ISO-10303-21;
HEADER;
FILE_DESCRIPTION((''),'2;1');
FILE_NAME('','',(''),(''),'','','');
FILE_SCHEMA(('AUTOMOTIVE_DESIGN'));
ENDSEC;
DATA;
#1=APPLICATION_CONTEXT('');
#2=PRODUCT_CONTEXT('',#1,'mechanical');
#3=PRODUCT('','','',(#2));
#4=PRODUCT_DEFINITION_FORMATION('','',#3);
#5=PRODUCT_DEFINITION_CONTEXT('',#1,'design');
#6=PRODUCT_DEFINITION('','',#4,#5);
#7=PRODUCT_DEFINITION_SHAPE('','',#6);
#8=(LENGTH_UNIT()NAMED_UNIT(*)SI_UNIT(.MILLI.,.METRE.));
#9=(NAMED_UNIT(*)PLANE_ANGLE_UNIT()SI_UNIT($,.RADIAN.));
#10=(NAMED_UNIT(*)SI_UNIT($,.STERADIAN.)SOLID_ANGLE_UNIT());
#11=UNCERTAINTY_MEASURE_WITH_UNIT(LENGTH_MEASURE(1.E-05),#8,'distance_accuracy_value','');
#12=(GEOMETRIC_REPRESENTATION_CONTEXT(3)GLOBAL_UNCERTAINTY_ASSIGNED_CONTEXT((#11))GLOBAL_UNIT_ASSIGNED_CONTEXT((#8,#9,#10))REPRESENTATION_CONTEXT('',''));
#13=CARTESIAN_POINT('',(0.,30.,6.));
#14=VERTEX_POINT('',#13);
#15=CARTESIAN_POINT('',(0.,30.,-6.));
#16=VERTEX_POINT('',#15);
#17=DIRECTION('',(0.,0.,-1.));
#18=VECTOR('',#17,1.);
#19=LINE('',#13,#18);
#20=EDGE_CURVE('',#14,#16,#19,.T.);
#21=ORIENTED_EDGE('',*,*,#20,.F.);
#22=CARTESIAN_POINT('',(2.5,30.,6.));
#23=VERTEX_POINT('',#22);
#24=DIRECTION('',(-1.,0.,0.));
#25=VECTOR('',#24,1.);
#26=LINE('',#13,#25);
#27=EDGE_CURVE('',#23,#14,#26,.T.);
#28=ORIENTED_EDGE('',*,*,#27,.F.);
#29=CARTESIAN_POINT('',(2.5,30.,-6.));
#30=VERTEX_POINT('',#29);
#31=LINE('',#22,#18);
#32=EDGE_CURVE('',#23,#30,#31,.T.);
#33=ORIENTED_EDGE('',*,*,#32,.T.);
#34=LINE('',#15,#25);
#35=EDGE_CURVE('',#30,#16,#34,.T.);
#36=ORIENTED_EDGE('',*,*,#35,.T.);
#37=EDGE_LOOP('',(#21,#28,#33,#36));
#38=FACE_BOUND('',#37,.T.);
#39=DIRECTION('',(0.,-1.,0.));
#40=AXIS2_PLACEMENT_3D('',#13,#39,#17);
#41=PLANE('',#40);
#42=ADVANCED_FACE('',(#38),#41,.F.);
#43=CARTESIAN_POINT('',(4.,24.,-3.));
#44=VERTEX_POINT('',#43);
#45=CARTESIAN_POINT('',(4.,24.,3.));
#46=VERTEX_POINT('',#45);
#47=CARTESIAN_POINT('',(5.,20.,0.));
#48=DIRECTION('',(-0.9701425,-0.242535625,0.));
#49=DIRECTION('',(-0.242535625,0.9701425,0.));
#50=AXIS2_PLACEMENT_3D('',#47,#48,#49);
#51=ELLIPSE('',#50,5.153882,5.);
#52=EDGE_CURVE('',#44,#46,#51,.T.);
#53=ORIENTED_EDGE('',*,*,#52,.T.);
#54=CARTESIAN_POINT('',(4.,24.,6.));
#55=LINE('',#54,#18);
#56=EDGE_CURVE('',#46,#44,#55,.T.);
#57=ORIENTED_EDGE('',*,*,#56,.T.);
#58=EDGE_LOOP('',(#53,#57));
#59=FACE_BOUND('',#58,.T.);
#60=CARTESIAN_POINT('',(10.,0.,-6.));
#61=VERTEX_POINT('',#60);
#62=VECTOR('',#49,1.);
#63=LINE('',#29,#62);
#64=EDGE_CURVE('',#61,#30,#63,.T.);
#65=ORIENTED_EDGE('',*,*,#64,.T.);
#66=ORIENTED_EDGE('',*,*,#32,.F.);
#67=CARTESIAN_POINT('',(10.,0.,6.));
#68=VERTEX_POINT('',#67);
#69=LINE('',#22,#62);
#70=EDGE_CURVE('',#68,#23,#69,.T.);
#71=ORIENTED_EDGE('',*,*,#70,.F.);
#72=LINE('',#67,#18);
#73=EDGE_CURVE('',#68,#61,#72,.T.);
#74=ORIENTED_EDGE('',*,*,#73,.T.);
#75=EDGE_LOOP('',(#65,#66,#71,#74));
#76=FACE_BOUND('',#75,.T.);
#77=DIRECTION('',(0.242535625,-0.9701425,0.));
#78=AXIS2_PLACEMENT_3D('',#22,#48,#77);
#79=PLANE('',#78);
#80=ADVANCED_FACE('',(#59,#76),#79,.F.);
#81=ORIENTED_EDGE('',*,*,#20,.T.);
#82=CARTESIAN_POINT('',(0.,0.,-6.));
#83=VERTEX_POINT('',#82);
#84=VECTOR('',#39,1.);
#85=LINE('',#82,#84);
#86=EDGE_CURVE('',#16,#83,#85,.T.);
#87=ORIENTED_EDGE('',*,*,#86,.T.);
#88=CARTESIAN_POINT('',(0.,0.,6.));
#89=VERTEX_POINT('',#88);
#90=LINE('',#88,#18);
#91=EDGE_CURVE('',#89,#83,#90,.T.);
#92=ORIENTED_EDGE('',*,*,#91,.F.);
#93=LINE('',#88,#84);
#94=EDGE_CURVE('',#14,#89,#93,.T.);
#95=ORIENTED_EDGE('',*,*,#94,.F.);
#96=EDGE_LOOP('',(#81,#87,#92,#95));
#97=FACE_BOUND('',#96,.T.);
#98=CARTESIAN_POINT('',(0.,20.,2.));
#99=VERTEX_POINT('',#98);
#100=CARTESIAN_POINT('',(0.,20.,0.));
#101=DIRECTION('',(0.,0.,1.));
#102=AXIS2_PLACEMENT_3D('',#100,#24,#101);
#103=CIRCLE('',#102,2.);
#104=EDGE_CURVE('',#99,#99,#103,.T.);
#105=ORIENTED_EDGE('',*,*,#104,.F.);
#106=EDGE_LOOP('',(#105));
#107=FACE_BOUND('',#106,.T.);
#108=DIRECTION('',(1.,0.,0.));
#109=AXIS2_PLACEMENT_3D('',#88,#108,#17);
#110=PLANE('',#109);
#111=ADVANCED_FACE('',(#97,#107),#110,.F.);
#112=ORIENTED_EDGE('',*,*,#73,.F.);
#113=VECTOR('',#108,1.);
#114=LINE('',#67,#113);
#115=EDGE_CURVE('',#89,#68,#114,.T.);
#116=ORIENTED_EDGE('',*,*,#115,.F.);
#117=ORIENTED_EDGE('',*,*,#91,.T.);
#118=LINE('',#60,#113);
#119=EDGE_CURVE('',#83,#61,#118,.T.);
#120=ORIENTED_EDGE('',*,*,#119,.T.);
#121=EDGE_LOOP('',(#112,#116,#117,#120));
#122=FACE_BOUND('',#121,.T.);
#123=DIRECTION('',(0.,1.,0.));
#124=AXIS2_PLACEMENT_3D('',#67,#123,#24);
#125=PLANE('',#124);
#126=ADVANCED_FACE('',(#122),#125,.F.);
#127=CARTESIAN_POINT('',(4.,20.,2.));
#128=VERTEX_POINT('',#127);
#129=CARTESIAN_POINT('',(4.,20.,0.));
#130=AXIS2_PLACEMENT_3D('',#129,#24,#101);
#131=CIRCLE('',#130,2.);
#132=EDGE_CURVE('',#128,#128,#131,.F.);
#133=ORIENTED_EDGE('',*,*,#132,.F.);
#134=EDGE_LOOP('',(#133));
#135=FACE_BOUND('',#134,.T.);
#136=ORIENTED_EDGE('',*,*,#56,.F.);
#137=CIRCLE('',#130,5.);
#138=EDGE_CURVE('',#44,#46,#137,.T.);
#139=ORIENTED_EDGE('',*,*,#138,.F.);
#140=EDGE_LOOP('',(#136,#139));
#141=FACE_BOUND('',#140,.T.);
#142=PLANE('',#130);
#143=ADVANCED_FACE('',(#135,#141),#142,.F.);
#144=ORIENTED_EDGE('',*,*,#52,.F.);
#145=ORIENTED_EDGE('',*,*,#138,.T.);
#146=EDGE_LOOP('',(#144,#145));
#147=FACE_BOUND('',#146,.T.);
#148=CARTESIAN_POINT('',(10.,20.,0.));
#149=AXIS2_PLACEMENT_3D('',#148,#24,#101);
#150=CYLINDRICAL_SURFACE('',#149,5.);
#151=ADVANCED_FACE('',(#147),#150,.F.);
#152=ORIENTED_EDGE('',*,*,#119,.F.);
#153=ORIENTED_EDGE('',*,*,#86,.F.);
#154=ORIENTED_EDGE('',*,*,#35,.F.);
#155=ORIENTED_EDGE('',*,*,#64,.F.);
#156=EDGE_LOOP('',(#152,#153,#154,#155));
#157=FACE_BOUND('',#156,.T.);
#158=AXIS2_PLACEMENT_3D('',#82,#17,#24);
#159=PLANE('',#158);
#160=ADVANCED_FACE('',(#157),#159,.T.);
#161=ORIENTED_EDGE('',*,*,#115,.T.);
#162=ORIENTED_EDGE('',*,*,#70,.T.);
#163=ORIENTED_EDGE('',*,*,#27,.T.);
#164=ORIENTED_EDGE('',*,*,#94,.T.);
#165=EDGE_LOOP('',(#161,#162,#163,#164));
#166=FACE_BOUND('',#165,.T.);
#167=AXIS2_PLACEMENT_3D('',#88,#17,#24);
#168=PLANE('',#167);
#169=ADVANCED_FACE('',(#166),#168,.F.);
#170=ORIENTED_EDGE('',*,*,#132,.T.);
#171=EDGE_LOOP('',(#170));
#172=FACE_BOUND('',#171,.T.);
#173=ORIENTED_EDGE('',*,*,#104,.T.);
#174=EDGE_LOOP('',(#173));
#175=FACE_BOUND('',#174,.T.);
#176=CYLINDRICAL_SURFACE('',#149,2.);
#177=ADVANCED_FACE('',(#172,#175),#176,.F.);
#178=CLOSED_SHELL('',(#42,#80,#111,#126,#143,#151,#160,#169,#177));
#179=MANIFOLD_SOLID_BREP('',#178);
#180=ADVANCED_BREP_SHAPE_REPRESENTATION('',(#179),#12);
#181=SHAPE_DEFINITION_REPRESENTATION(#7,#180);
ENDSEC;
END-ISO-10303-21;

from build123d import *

# Parameters (mm, degrees)
SALIENTE_EXTRUIR1_DEPTH = 6
CROQUIS3_R              = 2
CORTAR_EXTRUIR1_DEPTH   = 33.186953879
CROQUIS5_R              = 5
CORTAR_EXTRUIR2_DEPTH   = 32.176914536


with BuildPart() as part:
    # Croquis2 → Saliente-Extruir1 (new, symmetric)
    with BuildSketch(Plane.XY):
        Polygon((0, 0), (0, 30), (2.5, 30), (10, 0), align=None)
    extrude(amount=SALIENTE_EXTRUIR1_DEPTH, both=True)

    # Croquis3 → Cortar-Extruir1 (cut, through all)
    with BuildSketch(Plane.ZY):
        with Locations((0, 20)):
            Circle(CROQUIS3_R)
    extrude(amount=-CORTAR_EXTRUIR1_DEPTH, mode=Mode.SUBTRACT)

    # Croquis5 → Cortar-Extruir2 (cut, through all)
    with BuildSketch(Plane.ZY.offset(-4)):
        with Locations((0, 20)):
            Circle(CROQUIS5_R)
    extrude(amount=-CORTAR_EXTRUIR2_DEPTH, mode=Mode.SUBTRACT)


solid = part.part
